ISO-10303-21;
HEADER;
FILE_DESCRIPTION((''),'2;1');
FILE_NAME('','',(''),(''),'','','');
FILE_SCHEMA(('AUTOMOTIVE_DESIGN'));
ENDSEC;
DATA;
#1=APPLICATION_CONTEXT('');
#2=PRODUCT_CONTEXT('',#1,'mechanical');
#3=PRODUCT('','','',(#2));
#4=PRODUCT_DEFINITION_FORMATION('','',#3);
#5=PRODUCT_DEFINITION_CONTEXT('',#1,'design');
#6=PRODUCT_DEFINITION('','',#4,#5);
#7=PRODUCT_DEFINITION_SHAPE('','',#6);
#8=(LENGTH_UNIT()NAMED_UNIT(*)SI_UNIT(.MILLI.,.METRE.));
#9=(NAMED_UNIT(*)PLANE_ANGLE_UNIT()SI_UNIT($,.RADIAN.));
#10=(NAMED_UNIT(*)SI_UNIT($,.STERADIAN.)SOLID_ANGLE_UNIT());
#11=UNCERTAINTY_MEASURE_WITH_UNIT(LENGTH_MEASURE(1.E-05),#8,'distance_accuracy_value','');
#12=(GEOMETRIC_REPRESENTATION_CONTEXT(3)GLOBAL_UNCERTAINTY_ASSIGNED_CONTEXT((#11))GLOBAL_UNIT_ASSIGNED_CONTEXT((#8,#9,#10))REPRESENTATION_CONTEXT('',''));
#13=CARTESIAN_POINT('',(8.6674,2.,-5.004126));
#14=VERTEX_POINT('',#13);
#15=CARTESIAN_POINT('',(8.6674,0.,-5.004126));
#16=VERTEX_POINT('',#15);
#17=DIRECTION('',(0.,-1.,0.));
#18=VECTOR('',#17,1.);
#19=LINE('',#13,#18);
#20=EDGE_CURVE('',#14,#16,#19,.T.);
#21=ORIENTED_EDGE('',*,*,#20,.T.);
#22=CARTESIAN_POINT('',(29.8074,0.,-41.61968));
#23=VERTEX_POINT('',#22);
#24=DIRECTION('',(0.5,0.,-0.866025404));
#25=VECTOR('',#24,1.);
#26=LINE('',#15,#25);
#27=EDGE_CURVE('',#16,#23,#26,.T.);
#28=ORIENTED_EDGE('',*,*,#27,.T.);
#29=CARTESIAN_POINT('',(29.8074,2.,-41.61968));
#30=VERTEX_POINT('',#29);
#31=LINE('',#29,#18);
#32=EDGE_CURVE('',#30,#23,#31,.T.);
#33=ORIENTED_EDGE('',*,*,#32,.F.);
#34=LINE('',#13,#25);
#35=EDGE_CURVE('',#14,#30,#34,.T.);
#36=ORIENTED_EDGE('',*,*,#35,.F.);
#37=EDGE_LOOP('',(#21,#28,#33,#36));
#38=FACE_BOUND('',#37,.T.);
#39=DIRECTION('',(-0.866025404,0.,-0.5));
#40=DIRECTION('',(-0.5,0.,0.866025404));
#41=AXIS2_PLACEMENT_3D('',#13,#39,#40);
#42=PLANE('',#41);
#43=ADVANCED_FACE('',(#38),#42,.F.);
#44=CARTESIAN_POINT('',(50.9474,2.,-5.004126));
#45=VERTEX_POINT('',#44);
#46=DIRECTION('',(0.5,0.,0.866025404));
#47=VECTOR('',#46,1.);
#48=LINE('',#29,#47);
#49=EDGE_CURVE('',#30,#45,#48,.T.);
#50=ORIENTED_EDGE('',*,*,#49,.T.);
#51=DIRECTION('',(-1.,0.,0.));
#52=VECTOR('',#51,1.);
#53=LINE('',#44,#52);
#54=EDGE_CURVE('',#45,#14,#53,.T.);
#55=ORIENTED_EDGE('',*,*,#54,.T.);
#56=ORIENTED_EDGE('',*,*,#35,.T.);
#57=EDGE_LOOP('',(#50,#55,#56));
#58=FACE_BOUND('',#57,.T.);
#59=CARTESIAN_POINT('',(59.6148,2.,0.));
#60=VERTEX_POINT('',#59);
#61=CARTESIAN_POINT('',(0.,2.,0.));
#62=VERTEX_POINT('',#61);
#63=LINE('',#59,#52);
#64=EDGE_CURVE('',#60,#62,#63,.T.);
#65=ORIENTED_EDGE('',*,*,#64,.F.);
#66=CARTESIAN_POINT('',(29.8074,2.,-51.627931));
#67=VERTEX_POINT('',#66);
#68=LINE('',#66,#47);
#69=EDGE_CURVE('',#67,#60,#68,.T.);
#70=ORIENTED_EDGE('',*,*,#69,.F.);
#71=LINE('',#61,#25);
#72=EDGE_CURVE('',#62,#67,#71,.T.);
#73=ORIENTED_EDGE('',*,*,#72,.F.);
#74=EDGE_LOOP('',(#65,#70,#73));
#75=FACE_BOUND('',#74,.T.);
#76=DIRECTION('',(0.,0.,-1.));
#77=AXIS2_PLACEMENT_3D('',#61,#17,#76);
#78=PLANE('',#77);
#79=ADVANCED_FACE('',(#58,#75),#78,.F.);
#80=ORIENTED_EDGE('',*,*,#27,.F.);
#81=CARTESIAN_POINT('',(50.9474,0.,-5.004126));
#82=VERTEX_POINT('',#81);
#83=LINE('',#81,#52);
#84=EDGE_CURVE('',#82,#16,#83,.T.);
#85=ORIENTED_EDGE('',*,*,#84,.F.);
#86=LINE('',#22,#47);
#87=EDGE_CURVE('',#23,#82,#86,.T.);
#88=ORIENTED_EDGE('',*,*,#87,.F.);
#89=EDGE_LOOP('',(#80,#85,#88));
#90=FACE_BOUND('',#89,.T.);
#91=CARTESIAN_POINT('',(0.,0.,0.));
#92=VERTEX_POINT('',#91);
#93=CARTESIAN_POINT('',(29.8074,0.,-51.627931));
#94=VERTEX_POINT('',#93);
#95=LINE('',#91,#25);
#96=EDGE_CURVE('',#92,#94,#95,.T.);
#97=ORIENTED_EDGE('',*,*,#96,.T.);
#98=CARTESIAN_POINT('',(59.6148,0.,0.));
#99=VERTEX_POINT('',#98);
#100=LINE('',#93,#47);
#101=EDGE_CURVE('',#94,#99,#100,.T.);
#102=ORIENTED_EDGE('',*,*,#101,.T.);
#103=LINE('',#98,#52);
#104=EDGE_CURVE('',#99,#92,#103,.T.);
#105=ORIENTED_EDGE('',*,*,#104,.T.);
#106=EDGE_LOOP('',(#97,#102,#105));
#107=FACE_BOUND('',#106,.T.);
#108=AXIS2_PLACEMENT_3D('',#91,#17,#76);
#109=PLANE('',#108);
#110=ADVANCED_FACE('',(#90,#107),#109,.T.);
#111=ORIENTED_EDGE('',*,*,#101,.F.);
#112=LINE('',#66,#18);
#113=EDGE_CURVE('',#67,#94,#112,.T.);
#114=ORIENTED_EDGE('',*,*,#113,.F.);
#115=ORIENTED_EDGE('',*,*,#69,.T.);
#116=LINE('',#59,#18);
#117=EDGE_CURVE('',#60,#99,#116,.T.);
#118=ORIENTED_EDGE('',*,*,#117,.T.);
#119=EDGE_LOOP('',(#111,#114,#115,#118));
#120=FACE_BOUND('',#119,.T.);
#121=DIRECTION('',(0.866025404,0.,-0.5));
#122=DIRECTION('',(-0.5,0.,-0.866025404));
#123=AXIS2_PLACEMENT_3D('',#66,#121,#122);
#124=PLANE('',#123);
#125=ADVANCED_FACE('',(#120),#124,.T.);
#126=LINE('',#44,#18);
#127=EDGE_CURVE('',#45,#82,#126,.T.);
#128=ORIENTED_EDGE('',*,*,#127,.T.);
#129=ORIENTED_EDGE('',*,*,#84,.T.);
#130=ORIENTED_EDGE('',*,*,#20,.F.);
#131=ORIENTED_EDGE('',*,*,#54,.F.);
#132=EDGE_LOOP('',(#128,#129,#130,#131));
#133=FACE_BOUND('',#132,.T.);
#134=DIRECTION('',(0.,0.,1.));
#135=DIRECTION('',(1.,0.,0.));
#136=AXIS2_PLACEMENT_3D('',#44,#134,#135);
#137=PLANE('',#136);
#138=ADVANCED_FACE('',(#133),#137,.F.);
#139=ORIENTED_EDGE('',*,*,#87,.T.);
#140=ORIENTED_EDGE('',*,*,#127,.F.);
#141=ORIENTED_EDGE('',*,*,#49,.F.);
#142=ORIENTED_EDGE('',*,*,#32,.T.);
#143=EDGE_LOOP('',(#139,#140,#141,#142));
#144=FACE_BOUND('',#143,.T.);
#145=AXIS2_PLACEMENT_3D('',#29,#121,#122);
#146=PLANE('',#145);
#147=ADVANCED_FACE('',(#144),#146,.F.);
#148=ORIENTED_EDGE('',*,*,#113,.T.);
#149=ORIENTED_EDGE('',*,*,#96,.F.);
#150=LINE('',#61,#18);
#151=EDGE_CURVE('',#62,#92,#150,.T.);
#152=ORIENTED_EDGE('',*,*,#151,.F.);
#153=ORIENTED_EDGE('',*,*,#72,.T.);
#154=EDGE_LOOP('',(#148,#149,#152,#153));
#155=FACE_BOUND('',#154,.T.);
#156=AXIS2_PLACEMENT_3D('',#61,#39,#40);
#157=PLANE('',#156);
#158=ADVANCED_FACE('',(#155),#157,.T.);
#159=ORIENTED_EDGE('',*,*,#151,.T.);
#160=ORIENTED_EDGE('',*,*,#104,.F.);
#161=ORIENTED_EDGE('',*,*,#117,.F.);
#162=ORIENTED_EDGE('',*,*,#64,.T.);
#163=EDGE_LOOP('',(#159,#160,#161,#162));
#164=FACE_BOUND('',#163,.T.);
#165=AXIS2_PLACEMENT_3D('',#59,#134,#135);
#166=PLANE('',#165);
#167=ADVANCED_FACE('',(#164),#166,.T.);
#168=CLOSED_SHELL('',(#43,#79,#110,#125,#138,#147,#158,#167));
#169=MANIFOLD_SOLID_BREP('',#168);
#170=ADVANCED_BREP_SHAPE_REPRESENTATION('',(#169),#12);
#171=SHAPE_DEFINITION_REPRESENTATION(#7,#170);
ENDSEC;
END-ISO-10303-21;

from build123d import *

# Parameters (mm, degrees)
BOSS_EXTRUDE1_DEPTH = 2


with BuildPart() as part:
    # Sketch1 → Boss-Extrude1 (new body)
    with BuildSketch(Plane(origin=(0, 0, 0), x_dir=(1, 0, 0), z_dir=(0, 1, 0))):
        Polygon((0, 0), (29.8074, 51.627931242), (59.6148, 0), align=None)
        Polygon((50.9474, 5.004125723), (8.6674, 5.004125723), (29.8074, 41.619679795), align=None, mode=Mode.SUBTRACT)
    extrude(amount=BOSS_EXTRUDE1_DEPTH)


solid = part.part
